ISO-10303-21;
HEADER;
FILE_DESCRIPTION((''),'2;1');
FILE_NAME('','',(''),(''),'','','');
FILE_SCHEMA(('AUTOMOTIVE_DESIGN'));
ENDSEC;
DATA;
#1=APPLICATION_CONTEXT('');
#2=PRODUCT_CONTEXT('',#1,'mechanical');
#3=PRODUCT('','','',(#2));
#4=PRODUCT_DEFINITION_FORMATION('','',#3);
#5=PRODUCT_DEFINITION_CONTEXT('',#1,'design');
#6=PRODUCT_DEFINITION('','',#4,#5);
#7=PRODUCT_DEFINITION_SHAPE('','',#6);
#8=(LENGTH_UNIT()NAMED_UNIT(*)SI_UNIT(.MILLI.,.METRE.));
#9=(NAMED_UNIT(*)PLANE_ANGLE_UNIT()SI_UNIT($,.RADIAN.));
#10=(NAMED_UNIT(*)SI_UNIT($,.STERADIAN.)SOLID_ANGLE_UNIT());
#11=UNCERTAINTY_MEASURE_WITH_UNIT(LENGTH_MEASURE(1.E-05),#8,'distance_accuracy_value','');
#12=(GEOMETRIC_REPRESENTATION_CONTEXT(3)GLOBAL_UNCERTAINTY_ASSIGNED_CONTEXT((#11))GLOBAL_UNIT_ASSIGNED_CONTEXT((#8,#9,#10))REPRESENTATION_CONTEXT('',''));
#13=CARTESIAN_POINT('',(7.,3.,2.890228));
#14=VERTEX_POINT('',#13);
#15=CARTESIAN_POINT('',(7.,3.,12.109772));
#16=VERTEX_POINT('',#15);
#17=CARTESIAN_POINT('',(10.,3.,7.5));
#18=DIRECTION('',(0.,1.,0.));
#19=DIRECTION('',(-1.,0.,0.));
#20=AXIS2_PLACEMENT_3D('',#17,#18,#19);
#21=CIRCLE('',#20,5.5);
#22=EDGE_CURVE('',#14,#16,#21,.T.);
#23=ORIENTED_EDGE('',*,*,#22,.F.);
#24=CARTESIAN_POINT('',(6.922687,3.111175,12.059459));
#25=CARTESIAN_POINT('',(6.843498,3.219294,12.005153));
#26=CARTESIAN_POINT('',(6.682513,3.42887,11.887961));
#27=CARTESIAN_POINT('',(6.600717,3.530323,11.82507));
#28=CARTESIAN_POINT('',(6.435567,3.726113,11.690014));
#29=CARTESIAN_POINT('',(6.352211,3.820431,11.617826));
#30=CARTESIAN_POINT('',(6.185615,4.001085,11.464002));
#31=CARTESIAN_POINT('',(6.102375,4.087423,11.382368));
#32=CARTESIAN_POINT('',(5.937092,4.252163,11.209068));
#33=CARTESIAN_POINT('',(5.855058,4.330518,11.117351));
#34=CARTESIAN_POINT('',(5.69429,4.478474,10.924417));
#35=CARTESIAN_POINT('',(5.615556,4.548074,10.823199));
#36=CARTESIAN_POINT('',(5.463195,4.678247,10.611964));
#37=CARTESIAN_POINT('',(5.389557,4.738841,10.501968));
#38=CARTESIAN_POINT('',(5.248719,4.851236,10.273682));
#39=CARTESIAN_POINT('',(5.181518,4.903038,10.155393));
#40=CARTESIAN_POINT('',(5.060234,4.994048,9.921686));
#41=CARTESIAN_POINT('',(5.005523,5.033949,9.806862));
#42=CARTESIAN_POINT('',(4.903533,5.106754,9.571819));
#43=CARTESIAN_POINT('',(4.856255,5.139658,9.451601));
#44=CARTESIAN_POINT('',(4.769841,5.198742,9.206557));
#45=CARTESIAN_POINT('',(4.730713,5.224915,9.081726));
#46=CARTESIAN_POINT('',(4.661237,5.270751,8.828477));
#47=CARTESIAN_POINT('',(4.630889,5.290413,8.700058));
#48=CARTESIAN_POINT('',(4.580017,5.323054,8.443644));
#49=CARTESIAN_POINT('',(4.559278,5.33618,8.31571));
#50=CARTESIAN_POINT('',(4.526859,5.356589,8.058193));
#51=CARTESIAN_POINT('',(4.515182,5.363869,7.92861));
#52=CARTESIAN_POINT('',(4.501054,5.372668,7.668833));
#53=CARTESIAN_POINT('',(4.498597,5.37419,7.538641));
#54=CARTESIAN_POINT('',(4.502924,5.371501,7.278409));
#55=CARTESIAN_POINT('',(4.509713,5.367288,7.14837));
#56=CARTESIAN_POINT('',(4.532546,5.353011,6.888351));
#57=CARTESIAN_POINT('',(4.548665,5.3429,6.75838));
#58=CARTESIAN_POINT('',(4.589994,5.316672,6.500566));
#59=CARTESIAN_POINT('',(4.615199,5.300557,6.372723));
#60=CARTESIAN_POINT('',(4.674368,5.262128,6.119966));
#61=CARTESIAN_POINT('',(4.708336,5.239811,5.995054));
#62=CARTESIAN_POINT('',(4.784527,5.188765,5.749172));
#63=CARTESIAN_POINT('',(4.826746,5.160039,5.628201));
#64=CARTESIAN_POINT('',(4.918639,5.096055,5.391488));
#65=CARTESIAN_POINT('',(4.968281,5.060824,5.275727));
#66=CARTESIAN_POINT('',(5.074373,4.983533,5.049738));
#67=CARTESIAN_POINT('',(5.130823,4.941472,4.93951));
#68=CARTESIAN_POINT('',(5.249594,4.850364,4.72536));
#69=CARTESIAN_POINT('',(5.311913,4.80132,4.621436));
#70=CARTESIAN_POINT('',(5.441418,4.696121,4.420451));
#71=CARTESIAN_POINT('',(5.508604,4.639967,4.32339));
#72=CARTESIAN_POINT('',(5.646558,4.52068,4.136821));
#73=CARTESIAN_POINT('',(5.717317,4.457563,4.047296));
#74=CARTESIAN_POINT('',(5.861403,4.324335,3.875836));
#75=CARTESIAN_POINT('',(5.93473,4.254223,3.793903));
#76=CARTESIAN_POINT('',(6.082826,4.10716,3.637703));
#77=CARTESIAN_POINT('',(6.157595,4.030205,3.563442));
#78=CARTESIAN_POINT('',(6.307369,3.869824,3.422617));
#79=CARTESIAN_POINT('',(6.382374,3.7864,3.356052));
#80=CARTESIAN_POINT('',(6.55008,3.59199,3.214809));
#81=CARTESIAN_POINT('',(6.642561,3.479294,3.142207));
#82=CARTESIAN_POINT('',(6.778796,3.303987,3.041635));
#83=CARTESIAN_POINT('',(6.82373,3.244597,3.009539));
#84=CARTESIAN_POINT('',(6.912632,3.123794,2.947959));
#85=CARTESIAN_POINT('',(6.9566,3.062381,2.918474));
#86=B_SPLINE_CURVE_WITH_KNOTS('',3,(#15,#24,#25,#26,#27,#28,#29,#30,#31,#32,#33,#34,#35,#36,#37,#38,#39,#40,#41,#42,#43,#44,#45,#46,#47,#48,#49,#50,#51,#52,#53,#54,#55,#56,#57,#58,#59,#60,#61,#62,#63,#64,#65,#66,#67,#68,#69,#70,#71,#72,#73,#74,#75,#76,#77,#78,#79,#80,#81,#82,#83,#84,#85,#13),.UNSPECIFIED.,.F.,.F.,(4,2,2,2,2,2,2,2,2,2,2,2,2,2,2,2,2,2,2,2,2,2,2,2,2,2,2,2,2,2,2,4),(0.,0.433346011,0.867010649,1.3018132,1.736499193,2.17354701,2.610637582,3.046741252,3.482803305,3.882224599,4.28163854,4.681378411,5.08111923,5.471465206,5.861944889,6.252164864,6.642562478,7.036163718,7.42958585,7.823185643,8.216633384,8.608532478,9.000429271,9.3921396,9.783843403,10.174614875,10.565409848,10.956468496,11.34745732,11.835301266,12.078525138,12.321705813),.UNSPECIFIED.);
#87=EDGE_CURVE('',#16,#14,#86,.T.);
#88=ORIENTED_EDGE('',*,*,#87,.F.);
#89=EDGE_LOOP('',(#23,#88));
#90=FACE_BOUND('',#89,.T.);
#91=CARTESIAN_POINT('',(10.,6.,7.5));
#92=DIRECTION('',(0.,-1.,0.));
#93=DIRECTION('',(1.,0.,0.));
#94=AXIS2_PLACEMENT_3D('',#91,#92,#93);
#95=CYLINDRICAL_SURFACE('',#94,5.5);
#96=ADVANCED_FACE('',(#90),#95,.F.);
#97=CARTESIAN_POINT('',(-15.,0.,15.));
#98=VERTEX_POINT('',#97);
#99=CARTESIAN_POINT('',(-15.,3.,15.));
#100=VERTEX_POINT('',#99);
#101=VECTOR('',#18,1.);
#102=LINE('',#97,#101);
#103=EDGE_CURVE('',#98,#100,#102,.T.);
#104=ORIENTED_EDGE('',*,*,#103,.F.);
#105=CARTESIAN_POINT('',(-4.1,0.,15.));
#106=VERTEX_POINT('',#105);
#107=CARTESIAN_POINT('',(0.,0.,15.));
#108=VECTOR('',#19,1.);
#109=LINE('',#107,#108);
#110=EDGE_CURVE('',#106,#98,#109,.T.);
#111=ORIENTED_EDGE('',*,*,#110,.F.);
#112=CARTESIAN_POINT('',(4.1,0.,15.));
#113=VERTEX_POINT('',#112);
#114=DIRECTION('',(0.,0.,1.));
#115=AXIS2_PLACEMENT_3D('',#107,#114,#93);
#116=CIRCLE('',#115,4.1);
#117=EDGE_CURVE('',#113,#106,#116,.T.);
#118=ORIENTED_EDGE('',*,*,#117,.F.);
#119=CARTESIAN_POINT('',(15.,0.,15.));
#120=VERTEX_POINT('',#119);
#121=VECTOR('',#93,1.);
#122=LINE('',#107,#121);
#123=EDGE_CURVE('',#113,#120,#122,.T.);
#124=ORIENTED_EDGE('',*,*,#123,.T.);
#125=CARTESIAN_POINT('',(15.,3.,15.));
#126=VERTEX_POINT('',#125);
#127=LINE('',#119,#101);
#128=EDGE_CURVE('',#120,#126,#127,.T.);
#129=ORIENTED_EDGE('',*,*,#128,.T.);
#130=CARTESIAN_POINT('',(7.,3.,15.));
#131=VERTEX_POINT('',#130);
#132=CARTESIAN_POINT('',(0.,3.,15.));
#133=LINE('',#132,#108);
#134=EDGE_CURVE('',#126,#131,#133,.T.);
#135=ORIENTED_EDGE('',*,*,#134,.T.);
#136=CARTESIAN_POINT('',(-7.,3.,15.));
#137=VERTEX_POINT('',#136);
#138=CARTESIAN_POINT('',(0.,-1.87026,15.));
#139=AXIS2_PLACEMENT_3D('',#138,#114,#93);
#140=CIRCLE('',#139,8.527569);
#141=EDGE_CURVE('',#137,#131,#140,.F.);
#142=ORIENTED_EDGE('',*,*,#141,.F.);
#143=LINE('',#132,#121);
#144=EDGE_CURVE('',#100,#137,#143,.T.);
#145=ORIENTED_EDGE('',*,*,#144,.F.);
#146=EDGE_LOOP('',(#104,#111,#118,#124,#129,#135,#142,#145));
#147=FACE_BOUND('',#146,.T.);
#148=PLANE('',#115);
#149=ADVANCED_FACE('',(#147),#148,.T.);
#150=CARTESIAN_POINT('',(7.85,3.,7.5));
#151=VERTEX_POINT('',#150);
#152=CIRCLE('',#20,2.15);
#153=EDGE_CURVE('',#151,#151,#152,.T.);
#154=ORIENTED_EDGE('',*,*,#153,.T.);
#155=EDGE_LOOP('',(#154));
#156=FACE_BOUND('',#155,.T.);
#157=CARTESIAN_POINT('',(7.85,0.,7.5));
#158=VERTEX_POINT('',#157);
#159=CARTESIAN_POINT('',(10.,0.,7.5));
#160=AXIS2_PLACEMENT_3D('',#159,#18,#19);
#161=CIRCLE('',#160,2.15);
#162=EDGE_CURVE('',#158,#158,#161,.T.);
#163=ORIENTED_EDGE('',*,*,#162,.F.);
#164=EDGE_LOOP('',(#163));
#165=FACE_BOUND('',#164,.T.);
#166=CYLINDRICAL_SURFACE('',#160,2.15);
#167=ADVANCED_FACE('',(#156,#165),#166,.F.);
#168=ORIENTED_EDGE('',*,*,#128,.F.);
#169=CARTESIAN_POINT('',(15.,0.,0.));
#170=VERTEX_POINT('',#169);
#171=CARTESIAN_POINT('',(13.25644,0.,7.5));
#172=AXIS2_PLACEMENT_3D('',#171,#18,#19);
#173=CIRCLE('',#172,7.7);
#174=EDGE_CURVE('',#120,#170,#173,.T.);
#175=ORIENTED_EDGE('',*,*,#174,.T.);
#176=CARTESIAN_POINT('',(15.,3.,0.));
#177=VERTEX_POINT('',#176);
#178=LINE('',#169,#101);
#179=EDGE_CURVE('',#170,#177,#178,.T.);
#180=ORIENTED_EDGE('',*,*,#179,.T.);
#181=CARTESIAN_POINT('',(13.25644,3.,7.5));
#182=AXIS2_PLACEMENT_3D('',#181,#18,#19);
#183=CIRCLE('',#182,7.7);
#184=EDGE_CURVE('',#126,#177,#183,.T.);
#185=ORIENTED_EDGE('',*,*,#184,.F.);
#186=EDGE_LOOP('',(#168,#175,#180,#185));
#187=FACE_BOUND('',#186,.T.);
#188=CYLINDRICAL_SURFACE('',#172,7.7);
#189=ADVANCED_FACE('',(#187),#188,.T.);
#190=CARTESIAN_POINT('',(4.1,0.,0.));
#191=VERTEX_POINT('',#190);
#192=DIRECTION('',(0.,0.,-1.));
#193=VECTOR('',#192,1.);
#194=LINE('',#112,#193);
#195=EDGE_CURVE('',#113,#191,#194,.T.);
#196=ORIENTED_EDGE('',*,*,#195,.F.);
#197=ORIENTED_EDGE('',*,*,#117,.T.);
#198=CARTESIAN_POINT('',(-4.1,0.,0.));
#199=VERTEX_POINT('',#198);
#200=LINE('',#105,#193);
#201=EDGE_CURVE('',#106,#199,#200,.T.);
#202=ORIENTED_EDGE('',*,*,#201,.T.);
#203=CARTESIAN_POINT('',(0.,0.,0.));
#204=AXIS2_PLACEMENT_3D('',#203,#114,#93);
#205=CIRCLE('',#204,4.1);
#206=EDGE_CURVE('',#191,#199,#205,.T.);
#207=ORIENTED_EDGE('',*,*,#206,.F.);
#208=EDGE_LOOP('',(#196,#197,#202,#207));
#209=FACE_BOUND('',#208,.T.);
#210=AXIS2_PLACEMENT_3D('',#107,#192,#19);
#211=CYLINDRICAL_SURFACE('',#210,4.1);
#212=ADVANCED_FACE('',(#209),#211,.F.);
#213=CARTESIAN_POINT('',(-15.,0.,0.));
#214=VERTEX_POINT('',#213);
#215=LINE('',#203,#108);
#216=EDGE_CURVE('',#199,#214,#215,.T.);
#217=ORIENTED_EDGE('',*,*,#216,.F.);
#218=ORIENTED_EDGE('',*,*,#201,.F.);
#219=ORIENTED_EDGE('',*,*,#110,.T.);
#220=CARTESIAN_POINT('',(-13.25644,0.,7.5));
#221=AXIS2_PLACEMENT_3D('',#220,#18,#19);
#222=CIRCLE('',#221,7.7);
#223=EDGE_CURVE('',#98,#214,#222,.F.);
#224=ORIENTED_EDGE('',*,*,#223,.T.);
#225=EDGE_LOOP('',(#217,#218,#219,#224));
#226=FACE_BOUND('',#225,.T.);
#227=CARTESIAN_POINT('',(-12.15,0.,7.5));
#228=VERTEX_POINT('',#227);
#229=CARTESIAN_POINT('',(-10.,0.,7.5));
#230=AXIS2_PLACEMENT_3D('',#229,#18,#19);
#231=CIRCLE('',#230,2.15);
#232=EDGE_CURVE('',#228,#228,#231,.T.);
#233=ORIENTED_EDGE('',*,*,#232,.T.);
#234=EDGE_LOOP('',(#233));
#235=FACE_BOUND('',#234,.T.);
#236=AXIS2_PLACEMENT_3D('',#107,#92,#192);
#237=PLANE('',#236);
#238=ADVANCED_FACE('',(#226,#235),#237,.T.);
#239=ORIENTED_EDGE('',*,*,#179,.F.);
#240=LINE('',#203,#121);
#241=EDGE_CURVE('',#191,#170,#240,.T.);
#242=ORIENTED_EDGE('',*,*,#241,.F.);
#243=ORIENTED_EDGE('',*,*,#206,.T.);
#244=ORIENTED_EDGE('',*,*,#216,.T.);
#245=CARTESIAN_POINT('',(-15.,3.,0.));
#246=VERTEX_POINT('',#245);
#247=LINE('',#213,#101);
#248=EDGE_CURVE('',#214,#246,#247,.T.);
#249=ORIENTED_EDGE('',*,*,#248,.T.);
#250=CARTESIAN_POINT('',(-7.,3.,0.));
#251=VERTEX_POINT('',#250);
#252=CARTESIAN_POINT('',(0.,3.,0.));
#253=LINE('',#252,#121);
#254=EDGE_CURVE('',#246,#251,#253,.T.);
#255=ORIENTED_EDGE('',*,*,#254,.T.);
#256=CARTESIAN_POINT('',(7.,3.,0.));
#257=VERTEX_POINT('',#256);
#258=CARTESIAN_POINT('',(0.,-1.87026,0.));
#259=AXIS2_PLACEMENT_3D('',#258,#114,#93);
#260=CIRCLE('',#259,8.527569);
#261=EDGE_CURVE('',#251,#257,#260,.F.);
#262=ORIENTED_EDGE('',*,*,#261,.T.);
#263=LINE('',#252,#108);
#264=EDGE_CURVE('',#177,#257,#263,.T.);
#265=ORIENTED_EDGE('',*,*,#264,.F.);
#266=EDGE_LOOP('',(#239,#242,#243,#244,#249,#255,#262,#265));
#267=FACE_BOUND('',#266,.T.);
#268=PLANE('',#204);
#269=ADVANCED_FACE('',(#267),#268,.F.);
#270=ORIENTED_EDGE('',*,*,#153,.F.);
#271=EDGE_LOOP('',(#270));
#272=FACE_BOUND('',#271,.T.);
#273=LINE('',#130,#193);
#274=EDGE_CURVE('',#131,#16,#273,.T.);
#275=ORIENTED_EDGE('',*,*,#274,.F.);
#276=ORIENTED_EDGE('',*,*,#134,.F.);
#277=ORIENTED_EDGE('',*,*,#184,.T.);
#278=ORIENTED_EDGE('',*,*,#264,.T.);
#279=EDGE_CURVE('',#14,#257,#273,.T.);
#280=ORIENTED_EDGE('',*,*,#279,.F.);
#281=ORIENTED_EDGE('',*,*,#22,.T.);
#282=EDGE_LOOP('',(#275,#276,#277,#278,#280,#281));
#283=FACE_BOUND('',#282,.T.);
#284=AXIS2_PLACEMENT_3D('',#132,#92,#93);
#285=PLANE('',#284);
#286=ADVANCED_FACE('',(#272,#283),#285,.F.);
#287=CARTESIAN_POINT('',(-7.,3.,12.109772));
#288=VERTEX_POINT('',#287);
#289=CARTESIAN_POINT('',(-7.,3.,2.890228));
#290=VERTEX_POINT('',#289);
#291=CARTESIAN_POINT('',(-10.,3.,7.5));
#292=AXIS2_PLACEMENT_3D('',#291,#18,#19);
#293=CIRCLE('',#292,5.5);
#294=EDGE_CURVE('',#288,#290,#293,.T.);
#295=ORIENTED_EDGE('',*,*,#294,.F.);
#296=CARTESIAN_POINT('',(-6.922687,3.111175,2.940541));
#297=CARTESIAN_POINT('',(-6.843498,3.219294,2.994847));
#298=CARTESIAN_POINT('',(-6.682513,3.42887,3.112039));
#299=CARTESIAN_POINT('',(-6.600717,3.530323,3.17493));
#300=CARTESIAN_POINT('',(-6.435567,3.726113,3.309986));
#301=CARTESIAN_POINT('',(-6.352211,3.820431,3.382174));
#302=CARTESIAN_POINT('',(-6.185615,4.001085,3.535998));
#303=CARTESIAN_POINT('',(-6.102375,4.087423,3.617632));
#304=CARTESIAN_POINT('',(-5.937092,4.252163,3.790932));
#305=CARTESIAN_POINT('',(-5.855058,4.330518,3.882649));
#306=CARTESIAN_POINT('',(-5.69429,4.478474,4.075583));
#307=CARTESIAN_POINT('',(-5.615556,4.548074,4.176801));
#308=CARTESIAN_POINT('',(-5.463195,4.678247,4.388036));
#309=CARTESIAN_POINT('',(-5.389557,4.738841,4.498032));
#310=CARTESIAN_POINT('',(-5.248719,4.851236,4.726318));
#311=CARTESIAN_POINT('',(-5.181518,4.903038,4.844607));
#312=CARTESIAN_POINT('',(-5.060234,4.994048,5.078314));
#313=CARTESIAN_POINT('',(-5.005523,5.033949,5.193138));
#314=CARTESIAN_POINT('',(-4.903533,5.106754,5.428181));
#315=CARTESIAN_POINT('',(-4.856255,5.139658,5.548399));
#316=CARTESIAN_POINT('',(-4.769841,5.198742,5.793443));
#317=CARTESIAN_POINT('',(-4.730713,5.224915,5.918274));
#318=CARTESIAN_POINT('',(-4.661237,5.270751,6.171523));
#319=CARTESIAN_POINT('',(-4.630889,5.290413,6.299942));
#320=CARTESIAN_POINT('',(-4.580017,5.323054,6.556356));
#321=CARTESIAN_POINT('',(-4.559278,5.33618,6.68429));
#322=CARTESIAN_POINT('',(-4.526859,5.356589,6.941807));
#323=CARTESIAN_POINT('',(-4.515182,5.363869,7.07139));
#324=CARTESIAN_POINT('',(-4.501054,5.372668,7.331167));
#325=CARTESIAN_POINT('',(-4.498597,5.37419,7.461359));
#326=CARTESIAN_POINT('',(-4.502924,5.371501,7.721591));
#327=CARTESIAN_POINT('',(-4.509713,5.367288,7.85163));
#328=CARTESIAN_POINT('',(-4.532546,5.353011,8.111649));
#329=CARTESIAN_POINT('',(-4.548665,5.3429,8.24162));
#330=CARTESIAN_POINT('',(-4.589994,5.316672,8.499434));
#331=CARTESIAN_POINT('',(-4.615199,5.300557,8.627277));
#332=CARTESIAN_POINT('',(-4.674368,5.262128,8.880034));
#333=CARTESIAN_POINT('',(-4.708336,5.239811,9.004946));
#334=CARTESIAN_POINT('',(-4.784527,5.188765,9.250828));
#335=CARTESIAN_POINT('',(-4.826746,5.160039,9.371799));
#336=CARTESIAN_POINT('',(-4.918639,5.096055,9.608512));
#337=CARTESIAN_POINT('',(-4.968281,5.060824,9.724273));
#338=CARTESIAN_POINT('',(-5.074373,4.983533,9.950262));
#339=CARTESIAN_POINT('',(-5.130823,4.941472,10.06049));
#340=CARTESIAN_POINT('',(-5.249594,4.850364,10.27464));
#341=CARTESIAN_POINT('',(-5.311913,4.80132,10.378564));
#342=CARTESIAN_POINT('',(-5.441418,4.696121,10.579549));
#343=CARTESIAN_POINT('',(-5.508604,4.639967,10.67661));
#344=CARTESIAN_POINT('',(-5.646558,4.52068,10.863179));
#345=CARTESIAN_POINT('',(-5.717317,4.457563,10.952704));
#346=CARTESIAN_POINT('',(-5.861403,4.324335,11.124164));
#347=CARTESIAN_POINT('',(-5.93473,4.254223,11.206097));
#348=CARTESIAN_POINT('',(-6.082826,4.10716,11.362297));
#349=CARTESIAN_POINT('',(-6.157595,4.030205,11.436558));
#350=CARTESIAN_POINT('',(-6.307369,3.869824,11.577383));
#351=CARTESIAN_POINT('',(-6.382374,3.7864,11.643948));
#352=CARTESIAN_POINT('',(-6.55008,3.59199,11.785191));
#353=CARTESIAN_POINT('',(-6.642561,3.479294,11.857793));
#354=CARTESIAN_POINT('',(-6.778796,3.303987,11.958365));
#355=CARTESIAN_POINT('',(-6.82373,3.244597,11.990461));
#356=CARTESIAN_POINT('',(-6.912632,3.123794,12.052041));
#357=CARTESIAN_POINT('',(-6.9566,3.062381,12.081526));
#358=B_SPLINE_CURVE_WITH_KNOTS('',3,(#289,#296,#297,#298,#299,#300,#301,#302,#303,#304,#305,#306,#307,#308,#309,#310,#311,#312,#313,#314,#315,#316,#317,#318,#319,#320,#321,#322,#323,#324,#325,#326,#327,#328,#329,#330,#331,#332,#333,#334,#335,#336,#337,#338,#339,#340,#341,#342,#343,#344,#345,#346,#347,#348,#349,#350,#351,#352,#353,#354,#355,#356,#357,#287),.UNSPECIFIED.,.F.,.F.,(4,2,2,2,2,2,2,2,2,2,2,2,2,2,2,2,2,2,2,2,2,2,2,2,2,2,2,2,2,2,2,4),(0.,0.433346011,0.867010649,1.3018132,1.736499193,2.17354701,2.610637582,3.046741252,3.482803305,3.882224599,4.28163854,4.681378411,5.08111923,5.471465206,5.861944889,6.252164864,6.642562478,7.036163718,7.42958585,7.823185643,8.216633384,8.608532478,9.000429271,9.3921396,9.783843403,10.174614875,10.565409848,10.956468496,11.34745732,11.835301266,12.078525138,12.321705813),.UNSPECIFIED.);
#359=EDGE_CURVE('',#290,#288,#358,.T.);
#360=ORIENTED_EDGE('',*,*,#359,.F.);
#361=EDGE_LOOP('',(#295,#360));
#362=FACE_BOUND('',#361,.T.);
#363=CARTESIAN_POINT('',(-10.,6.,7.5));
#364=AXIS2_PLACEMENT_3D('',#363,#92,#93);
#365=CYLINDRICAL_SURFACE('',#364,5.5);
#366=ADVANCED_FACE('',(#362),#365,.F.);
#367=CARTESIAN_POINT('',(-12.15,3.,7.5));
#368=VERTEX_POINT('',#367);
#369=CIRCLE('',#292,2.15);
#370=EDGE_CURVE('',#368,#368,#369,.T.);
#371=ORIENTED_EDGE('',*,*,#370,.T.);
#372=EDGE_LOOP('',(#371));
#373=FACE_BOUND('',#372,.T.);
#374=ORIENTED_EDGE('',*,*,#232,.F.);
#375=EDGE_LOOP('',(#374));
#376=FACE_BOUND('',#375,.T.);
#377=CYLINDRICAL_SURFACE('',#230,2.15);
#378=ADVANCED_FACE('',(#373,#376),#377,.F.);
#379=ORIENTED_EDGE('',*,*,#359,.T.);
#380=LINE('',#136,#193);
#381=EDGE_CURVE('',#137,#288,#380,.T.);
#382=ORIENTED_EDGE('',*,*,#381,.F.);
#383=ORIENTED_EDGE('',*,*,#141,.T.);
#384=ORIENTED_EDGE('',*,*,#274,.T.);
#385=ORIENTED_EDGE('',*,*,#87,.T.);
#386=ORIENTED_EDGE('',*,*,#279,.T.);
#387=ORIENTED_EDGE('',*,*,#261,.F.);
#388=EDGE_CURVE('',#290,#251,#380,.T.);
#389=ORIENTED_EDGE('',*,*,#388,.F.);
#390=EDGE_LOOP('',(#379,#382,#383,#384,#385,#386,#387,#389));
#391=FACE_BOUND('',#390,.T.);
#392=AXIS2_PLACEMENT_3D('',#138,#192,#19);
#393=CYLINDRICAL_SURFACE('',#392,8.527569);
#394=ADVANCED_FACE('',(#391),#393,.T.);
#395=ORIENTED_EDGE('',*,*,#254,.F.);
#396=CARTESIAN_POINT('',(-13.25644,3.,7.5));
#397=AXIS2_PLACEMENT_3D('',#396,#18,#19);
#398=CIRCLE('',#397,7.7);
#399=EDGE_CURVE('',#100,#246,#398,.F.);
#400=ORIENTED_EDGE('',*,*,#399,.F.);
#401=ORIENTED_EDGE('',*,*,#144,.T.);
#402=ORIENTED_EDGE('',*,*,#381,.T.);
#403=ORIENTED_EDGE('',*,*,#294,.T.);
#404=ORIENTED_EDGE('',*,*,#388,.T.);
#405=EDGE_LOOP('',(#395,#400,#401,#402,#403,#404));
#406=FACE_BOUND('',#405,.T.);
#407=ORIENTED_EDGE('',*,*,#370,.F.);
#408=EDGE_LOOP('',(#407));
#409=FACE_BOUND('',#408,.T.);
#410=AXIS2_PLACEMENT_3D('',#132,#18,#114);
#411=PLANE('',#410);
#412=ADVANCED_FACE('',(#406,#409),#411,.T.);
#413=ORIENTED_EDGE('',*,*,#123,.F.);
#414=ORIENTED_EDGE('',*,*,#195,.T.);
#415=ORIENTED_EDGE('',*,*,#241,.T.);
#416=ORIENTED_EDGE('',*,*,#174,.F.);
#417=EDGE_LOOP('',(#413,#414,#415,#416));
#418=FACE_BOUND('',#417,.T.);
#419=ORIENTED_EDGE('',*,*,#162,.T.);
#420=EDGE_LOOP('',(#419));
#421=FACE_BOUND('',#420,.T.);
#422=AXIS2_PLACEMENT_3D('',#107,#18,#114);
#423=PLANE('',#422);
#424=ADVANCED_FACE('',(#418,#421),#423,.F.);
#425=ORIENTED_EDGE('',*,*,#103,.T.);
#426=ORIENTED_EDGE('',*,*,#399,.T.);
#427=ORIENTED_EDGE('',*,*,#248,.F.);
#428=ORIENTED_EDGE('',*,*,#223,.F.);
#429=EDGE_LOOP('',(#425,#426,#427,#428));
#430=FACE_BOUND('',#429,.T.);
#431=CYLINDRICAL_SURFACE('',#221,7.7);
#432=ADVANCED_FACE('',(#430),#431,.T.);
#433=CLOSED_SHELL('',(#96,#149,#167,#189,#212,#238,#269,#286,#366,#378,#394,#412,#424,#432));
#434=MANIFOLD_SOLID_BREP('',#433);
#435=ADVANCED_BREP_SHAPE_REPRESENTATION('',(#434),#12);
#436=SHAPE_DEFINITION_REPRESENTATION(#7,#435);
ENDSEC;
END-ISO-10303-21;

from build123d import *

# Parameters (mm, degrees)
AUFSATZ_LINEAR_AUSTRAGEN1_DEPTH = 15
AUFSATZ_LINEAR_AUSTRAGEN2_DEPTH = 3
SKIZZE3_8_R                     = 5.5
SCHNITT_LINEAR_AUSTRAGEN1_DEPTH = 3
SKIZZE3_9_R                     = 2.15
SCHNITT_LINEAR_AUSTRAGEN2_DEPTH = 3


with BuildPart() as part:
    # Skizze2 → Aufsatz-Linear austragen1 (new body)
    with BuildSketch(Plane.XY):
        with BuildLine():
            ThreePointArc((-4.1, 0), (0, 4.1), (4.1, 0))
            Line((4.1, 0), (10, 0))
            Line((10, 0), (15, 0))
            Line((15, 0), (15, 3))
            Line((15, 3), (7, 3))
            ThreePointArc((7, 3), (0, 6.657308815), (-7, 3))
            Line((-7, 3), (-15, 3))
            Line((-15, 3), (-15, 0))
            Line((-15, 0), (-10, 0))
            Line((-10, 0), (-4.1, 0))
        make_face()
    extrude(amount=AUFSATZ_LINEAR_AUSTRAGEN1_DEPTH)

    # Skizze3 → Aufsatz-Linear austragen2 (add)
    with BuildSketch(Plane(origin=(0, 3, 0), x_dir=(1, 0, 0), z_dir=(0, 1, 0))):
        with BuildLine():
            ThreePointArc((15, -15), (20.956440423, -7.5), (15, 0))
            Line((15, 0), (15, -15))
        make_face()
        with BuildLine():
            Line((-15, -15), (-15, 0))
            ThreePointArc((-15, 0), (-20.956440423, -7.5), (-15, -15))
        make_face()
    extrude(amount=-AUFSATZ_LINEAR_AUSTRAGEN2_DEPTH)

    # Skizze3<8> → Schnitt-Linear austragen1 (cut)
    with BuildSketch(Plane(origin=(0, 3, 0), x_dir=(1, 0, 0), z_dir=(0, 1, 0))):
        with Locations((-10, -7.5)):
            Circle(SKIZZE3_8_R)
        with Locations((10, -7.5)):
            Circle(SKIZZE3_8_R)
    extrude(amount=SCHNITT_LINEAR_AUSTRAGEN1_DEPTH, mode=Mode.SUBTRACT)

    # Skizze3<9> → Schnitt-Linear austragen2 (cut)
    with BuildSketch(Plane(origin=(0, 3, 0), x_dir=(1, 0, 0), z_dir=(0, 1, 0))):
        with Locations(Location((10, -7.5, 0), (0, 0, 180))):
            Circle(SKIZZE3_9_R)
        with Locations(Location((-10, -7.5, 0), (0, 0, 180))):
            Circle(SKIZZE3_9_R)
    extrude(amount=-SCHNITT_LINEAR_AUSTRAGEN2_DEPTH, mode=Mode.SUBTRACT)


solid = part.part
